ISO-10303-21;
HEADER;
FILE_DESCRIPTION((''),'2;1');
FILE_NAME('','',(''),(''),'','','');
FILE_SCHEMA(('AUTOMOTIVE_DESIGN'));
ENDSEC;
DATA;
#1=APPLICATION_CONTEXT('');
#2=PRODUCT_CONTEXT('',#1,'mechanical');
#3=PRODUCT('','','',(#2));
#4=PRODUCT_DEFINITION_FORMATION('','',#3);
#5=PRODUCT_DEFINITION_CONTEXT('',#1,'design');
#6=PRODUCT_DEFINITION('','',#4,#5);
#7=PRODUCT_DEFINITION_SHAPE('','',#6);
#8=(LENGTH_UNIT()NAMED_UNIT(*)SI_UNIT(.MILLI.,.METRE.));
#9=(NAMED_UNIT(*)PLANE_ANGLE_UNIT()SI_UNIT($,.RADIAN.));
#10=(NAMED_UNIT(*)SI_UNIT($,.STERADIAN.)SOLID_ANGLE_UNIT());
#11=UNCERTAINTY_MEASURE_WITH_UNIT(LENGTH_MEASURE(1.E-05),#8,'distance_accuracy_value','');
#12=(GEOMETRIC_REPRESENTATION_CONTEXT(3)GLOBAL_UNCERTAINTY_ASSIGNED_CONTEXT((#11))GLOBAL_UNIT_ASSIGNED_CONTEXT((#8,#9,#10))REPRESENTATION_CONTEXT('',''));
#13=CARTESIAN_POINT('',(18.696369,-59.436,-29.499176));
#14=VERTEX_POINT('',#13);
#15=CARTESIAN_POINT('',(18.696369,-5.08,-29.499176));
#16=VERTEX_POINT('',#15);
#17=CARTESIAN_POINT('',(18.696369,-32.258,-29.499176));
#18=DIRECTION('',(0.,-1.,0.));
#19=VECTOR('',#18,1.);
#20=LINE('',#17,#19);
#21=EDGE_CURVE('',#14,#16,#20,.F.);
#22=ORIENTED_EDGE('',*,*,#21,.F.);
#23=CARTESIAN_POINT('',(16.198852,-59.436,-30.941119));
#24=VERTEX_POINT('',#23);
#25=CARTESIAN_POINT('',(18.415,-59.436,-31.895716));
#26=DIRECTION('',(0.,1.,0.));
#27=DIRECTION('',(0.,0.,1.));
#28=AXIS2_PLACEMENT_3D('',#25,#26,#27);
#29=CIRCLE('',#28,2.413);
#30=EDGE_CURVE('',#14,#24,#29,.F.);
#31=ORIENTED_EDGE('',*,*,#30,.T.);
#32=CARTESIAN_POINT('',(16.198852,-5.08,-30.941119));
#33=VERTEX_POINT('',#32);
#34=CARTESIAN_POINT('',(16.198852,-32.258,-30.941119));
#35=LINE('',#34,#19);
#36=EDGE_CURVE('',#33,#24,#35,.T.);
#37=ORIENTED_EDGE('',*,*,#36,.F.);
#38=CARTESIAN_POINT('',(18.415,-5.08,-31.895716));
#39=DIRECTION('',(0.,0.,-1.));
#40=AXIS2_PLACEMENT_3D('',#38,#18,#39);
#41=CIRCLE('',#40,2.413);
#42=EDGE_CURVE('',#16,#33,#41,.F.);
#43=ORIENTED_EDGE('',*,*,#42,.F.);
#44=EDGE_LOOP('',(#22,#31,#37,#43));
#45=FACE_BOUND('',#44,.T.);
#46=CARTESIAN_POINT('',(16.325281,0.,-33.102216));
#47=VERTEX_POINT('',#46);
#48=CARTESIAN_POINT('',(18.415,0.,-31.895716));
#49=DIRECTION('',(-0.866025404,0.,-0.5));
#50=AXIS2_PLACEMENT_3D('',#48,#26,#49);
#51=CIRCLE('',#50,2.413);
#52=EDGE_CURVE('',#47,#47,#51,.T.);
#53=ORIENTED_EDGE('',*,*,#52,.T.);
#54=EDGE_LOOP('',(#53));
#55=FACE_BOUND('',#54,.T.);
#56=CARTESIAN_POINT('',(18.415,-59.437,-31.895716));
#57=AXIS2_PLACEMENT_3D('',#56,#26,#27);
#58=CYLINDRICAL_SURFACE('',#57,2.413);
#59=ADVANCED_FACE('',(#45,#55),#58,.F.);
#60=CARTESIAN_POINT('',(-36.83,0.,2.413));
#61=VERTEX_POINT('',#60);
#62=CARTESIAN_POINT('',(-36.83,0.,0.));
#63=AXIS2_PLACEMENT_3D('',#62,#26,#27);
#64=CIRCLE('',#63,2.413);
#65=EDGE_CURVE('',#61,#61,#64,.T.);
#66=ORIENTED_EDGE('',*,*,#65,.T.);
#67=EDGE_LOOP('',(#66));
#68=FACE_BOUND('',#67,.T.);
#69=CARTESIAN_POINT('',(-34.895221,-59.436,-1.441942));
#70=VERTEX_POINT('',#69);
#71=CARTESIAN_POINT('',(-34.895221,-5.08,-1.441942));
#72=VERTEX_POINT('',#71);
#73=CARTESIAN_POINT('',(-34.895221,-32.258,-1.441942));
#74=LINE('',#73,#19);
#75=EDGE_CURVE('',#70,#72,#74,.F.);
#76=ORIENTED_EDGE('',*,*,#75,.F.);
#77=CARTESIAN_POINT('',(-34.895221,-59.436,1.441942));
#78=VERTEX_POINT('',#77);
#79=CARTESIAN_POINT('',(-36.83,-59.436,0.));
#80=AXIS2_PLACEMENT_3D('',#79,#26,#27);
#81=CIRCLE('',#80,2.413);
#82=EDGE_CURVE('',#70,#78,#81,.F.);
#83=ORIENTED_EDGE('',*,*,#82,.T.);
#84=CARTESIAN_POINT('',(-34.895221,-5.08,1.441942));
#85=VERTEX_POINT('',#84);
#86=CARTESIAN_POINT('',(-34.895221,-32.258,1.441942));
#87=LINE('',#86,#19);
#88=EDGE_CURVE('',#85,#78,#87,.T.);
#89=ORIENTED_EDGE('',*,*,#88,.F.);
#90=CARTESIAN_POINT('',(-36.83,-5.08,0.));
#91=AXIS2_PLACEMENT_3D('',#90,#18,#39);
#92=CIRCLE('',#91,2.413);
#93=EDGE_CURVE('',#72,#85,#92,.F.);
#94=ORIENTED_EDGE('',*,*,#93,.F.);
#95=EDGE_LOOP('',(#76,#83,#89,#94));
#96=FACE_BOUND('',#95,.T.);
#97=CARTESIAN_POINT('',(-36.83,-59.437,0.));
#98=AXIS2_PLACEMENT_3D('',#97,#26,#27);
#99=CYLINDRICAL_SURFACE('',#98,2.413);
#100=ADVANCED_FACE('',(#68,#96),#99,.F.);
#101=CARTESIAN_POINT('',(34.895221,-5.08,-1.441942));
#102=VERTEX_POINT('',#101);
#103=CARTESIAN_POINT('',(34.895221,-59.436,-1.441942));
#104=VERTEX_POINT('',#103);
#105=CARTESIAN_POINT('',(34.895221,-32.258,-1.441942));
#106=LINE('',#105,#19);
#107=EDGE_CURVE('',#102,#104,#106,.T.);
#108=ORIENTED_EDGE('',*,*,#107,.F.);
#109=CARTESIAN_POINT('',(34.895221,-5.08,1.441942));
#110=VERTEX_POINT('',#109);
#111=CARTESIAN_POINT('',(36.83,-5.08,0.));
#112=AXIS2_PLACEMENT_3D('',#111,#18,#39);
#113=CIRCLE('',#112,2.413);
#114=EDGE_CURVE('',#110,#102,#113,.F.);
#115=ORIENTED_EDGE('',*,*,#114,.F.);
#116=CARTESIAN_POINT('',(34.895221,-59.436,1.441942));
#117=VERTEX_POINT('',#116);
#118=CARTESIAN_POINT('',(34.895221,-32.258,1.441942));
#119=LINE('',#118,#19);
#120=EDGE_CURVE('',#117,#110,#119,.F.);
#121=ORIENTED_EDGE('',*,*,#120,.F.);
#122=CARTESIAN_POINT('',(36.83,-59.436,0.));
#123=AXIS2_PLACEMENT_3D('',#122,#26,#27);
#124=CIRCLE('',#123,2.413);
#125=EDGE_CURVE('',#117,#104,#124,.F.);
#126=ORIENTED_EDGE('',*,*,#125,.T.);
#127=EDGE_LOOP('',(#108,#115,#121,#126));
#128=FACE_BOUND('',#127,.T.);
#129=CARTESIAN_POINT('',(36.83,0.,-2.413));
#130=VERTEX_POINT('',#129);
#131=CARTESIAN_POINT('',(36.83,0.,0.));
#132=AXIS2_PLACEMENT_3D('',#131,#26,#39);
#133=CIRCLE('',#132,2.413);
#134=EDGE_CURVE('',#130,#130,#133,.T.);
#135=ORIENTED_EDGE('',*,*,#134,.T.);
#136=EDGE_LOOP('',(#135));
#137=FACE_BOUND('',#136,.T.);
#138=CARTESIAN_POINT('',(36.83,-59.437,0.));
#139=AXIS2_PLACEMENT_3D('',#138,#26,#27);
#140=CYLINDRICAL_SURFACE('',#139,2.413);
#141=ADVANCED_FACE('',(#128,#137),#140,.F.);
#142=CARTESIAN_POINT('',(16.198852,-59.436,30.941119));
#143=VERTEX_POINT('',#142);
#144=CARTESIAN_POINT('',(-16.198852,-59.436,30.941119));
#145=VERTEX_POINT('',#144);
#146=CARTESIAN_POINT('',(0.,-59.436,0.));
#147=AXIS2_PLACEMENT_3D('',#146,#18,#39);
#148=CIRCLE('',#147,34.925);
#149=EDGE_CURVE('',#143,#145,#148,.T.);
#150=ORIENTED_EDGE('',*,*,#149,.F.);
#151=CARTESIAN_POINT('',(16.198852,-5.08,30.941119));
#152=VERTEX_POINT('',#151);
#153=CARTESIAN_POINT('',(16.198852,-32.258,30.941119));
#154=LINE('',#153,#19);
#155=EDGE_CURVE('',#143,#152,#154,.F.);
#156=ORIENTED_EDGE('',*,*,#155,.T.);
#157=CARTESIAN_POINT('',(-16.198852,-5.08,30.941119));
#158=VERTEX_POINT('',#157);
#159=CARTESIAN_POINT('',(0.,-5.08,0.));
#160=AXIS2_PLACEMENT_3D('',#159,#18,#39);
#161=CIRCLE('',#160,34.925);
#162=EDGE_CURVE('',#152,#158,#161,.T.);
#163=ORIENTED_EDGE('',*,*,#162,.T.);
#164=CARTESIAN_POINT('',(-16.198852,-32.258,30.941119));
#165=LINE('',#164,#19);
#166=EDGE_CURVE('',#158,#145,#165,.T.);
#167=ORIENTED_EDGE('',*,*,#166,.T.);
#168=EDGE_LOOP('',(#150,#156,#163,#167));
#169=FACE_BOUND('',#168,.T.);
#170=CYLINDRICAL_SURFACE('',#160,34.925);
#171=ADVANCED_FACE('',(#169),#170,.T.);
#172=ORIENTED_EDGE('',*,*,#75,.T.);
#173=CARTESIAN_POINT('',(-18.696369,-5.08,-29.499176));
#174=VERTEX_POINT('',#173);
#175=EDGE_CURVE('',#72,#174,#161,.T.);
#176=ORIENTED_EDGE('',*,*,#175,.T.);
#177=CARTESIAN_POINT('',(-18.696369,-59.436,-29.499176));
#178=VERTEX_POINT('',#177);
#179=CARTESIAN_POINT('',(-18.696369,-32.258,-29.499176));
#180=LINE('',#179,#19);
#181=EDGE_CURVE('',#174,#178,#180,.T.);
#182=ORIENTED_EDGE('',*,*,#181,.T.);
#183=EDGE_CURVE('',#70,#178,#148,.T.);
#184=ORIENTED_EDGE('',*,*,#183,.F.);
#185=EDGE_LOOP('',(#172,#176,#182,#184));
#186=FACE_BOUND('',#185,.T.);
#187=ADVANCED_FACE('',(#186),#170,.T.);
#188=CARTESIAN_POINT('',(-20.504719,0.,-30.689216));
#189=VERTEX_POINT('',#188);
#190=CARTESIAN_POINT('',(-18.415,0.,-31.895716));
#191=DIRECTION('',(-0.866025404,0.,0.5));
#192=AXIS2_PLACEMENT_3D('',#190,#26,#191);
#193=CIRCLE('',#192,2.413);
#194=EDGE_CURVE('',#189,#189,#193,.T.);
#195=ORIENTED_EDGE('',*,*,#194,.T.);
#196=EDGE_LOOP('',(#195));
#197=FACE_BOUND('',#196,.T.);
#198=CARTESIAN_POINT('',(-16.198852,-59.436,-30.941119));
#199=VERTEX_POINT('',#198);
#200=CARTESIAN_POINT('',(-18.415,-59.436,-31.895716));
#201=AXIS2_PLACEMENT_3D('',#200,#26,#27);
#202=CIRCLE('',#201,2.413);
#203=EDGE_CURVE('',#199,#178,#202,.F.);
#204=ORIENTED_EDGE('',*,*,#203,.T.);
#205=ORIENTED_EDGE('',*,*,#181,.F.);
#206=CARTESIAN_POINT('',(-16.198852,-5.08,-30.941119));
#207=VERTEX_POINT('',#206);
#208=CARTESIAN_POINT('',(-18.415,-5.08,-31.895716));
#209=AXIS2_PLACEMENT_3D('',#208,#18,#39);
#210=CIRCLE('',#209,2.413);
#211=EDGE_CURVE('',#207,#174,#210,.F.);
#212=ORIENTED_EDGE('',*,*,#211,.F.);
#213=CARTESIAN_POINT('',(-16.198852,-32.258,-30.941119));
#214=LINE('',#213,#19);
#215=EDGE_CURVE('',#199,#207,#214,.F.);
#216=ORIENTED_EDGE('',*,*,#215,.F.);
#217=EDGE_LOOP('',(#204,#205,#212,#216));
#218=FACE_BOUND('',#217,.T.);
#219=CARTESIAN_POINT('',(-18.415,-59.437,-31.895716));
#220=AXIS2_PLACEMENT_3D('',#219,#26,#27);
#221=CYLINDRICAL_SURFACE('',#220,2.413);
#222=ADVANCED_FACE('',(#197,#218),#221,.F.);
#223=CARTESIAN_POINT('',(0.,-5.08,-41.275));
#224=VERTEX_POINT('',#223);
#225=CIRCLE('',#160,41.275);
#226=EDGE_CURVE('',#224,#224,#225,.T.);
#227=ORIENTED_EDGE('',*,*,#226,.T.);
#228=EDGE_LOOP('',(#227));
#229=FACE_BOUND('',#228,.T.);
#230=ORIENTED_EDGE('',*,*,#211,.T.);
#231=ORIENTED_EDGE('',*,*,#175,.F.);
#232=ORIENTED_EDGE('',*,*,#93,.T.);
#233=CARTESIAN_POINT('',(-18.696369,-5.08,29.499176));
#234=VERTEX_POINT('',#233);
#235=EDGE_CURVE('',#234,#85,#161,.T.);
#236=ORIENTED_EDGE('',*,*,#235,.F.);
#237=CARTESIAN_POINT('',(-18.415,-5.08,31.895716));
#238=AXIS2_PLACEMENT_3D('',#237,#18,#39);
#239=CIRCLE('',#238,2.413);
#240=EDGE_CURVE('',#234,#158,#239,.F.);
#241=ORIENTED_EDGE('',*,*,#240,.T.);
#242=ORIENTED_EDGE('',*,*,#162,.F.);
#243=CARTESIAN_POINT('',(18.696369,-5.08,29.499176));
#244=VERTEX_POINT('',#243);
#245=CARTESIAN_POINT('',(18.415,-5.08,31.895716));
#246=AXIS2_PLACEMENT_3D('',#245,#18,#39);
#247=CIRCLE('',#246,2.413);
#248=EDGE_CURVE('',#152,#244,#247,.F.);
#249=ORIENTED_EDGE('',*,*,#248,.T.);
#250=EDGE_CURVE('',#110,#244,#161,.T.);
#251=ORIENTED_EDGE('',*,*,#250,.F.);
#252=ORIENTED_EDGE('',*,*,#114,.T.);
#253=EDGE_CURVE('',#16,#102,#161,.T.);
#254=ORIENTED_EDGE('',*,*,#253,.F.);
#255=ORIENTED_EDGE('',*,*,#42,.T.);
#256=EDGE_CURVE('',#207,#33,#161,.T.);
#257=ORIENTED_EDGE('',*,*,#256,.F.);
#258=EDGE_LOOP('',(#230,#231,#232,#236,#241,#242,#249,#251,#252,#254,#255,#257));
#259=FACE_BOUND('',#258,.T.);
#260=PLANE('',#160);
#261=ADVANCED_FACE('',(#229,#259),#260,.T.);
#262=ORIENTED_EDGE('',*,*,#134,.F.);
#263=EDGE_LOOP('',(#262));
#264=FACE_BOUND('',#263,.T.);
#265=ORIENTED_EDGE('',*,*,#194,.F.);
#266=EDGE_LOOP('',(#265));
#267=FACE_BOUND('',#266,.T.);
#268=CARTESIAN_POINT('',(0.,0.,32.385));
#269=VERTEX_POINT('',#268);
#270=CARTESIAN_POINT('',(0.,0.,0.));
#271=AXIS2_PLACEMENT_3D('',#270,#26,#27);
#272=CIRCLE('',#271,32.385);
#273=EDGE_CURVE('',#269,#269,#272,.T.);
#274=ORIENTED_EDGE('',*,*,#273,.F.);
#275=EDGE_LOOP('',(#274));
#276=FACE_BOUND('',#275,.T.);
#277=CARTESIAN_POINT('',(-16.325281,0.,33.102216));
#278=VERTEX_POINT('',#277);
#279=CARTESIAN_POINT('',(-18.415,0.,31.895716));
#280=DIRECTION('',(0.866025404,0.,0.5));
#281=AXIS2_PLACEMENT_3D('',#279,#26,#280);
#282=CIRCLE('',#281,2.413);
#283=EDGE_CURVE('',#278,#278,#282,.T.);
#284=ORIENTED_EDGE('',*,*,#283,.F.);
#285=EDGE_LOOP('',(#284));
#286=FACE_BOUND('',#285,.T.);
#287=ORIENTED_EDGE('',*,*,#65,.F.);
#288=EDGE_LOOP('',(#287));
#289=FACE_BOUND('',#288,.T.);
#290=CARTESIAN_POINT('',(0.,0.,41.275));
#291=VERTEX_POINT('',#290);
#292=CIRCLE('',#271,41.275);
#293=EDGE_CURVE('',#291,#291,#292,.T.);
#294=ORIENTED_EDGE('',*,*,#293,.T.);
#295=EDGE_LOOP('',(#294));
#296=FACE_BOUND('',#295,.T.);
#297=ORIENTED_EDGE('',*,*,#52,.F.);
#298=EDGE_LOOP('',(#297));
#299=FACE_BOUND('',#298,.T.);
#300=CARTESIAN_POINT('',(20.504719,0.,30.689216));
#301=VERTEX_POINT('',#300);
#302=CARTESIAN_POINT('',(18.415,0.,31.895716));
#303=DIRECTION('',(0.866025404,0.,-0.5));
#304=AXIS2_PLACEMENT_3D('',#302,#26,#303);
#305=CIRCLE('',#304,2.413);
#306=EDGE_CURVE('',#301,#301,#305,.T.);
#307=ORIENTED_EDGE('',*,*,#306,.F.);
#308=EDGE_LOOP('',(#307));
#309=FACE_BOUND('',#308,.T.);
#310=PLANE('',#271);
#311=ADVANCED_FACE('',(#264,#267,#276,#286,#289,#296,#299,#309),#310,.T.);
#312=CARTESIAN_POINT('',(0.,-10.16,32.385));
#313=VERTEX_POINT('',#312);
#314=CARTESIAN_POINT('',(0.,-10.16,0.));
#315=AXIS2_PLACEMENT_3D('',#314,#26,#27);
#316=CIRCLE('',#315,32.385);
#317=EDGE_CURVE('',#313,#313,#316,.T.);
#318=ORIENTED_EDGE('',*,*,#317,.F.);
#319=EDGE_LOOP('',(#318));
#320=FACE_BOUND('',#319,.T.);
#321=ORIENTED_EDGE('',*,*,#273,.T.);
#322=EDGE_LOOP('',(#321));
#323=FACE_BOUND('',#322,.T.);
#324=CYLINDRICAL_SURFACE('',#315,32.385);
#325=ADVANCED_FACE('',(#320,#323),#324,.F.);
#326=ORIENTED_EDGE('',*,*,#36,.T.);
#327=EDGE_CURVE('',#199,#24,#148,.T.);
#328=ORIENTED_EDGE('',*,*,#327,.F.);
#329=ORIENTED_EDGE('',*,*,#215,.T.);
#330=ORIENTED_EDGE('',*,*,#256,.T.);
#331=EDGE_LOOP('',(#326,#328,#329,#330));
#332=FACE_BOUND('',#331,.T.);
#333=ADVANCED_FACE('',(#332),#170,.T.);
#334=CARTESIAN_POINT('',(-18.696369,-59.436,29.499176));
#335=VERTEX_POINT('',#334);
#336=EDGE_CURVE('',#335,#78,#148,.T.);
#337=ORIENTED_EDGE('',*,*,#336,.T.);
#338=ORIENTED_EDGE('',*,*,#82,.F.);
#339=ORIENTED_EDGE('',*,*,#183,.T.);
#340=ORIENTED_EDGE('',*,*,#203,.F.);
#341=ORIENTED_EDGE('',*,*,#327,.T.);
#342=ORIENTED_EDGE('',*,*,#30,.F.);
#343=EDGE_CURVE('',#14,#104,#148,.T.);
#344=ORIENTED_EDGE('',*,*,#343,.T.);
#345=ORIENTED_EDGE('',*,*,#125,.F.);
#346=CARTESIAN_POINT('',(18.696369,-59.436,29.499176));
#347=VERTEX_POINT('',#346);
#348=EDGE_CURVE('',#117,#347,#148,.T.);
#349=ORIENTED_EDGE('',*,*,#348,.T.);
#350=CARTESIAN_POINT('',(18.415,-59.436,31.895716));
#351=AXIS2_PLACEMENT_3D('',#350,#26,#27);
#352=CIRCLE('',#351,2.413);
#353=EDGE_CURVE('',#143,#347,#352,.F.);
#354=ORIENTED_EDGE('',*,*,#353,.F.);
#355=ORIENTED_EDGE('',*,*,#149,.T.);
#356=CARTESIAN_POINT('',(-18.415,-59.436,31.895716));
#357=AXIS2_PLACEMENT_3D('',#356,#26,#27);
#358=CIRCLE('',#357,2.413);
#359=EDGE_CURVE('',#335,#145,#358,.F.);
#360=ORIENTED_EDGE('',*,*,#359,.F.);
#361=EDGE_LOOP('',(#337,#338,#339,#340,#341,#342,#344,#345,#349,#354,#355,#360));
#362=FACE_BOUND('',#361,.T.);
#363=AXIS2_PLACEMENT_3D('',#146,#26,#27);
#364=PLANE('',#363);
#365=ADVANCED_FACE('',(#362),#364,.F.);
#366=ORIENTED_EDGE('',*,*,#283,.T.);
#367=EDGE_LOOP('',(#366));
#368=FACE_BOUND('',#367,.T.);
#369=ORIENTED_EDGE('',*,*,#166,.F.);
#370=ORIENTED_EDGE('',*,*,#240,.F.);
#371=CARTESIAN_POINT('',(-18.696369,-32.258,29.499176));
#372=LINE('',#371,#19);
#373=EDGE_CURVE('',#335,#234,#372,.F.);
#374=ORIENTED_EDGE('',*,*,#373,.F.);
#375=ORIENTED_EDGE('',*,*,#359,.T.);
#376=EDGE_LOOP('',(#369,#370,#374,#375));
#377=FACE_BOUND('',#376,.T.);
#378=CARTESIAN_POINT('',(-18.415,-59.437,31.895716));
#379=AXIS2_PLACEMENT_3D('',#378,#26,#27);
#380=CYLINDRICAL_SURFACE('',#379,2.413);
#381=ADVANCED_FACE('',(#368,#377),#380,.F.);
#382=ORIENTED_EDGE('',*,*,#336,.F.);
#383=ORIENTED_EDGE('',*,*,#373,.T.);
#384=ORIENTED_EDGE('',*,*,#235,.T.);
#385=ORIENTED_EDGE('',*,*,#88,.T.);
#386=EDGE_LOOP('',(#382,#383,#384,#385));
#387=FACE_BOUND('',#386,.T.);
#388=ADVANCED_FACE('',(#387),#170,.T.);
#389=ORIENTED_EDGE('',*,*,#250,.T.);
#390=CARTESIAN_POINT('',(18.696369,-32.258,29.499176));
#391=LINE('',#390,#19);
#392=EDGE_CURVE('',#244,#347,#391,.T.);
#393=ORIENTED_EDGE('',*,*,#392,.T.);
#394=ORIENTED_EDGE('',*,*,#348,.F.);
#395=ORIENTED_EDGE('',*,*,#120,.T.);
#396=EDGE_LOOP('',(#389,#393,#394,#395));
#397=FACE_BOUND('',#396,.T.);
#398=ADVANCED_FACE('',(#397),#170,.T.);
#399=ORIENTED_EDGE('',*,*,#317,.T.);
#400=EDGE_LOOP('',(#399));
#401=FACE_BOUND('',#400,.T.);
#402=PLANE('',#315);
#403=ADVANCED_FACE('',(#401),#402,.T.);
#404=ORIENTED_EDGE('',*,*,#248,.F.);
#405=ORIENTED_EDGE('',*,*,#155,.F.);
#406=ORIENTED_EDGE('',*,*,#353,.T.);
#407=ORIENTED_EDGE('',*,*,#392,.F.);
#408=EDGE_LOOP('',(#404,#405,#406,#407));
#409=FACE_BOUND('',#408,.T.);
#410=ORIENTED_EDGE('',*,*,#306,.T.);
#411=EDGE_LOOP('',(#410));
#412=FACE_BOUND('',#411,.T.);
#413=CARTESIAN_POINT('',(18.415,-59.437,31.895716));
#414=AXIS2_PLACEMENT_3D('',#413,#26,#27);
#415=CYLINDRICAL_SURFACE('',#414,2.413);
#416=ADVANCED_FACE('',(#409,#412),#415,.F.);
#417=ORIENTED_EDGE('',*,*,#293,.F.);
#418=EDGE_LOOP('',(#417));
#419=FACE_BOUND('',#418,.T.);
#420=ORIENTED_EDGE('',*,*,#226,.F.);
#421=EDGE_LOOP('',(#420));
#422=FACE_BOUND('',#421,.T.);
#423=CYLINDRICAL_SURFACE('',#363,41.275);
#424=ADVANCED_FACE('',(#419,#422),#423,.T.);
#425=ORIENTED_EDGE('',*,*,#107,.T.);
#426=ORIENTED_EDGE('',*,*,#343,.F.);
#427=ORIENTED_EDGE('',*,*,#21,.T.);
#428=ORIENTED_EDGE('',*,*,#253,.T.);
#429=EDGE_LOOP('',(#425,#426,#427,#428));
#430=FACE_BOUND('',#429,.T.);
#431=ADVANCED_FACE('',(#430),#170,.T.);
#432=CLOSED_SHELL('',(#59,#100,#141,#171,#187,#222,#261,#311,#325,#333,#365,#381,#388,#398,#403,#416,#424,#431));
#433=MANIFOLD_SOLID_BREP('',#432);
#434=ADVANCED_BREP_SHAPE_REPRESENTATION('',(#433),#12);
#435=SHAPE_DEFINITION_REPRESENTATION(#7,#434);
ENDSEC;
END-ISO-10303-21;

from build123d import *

# Parameters (mm, degrees)
SKETCH1_R                      = 41.275
BOSS_EXTRUDE1_DEPTH            = 59.436
CUT_EXTRUDE5_START             = -54.356
SKETCH7_R                      = 41.275
SKETCH7_R_2                    = 34.925
CUT_EXTRUDE5_DEPTH             = 54.356
TOP_INTERCONNECTION_HOLE_REACH = 85.306
SKETCH8_R                      = 2.413
CIRPATTERN1_COUNT              = 6
SKETCH9_R                      = 32.385
CUT_EXTRUDE8_DEPTH             = 10.16


with BuildPart() as part:
    # Sketch1 → Boss-Extrude1 (new body)
    with BuildSketch(Plane(origin=(0, 0, 0), x_dir=(1, 0, 0), z_dir=(0, 1, 0))):
        Circle(SKETCH1_R)
    extrude(amount=-BOSS_EXTRUDE1_DEPTH)

    # Sketch7 → Cut-Extrude5 (cut)
    with BuildSketch(Plane.XZ.offset(59.436).offset(CUT_EXTRUDE5_START)):
        Circle(SKETCH7_R)
        Circle(SKETCH7_R_2, mode=Mode.SUBTRACT)
    extrude(amount=CUT_EXTRUDE5_DEPTH, mode=Mode.SUBTRACT)

    # Sketch8 → Top Interconnection Hole (cut, up to next)
    with BuildSketch(Plane(origin=(0, 0, 0), x_dir=(1, 0, 0), z_dir=(0, 1, 0)), mode=Mode.PRIVATE) as top_interconnection_hole_sk1:
        with Locations((-36.83, 0)):
            Circle(SKETCH8_R)
    top_interconnection_hole_tool1 = extrude(top_interconnection_hole_sk1.sketch, amount=-TOP_INTERCONNECTION_HOLE_REACH, mode=Mode.PRIVATE) & part.part
    top_interconnection_hole = top_interconnection_hole_tool1.solids().sort_by_distance((-36.83, 0, 0))[0]
    add(top_interconnection_hole, mode=Mode.SUBTRACT)

    # CirPattern1: Top Interconnection Hole ×6 about axis
    cirpattern1_axis = Axis((0, 21.434496837, 0), (0, -1, 0))
    for i in range(1, CIRPATTERN1_COUNT):
        add(top_interconnection_hole.rotate(cirpattern1_axis, i * 360 / CIRPATTERN1_COUNT), mode=Mode.SUBTRACT)

    # Sketch9 → Cut-Extrude8 (cut)
    with BuildSketch(Plane(origin=(0, 0, 0), x_dir=(1, 0, 0), z_dir=(0, 1, 0))):
        Circle(SKETCH9_R)
    extrude(amount=-CUT_EXTRUDE8_DEPTH, mode=Mode.SUBTRACT)


solid = part.part
